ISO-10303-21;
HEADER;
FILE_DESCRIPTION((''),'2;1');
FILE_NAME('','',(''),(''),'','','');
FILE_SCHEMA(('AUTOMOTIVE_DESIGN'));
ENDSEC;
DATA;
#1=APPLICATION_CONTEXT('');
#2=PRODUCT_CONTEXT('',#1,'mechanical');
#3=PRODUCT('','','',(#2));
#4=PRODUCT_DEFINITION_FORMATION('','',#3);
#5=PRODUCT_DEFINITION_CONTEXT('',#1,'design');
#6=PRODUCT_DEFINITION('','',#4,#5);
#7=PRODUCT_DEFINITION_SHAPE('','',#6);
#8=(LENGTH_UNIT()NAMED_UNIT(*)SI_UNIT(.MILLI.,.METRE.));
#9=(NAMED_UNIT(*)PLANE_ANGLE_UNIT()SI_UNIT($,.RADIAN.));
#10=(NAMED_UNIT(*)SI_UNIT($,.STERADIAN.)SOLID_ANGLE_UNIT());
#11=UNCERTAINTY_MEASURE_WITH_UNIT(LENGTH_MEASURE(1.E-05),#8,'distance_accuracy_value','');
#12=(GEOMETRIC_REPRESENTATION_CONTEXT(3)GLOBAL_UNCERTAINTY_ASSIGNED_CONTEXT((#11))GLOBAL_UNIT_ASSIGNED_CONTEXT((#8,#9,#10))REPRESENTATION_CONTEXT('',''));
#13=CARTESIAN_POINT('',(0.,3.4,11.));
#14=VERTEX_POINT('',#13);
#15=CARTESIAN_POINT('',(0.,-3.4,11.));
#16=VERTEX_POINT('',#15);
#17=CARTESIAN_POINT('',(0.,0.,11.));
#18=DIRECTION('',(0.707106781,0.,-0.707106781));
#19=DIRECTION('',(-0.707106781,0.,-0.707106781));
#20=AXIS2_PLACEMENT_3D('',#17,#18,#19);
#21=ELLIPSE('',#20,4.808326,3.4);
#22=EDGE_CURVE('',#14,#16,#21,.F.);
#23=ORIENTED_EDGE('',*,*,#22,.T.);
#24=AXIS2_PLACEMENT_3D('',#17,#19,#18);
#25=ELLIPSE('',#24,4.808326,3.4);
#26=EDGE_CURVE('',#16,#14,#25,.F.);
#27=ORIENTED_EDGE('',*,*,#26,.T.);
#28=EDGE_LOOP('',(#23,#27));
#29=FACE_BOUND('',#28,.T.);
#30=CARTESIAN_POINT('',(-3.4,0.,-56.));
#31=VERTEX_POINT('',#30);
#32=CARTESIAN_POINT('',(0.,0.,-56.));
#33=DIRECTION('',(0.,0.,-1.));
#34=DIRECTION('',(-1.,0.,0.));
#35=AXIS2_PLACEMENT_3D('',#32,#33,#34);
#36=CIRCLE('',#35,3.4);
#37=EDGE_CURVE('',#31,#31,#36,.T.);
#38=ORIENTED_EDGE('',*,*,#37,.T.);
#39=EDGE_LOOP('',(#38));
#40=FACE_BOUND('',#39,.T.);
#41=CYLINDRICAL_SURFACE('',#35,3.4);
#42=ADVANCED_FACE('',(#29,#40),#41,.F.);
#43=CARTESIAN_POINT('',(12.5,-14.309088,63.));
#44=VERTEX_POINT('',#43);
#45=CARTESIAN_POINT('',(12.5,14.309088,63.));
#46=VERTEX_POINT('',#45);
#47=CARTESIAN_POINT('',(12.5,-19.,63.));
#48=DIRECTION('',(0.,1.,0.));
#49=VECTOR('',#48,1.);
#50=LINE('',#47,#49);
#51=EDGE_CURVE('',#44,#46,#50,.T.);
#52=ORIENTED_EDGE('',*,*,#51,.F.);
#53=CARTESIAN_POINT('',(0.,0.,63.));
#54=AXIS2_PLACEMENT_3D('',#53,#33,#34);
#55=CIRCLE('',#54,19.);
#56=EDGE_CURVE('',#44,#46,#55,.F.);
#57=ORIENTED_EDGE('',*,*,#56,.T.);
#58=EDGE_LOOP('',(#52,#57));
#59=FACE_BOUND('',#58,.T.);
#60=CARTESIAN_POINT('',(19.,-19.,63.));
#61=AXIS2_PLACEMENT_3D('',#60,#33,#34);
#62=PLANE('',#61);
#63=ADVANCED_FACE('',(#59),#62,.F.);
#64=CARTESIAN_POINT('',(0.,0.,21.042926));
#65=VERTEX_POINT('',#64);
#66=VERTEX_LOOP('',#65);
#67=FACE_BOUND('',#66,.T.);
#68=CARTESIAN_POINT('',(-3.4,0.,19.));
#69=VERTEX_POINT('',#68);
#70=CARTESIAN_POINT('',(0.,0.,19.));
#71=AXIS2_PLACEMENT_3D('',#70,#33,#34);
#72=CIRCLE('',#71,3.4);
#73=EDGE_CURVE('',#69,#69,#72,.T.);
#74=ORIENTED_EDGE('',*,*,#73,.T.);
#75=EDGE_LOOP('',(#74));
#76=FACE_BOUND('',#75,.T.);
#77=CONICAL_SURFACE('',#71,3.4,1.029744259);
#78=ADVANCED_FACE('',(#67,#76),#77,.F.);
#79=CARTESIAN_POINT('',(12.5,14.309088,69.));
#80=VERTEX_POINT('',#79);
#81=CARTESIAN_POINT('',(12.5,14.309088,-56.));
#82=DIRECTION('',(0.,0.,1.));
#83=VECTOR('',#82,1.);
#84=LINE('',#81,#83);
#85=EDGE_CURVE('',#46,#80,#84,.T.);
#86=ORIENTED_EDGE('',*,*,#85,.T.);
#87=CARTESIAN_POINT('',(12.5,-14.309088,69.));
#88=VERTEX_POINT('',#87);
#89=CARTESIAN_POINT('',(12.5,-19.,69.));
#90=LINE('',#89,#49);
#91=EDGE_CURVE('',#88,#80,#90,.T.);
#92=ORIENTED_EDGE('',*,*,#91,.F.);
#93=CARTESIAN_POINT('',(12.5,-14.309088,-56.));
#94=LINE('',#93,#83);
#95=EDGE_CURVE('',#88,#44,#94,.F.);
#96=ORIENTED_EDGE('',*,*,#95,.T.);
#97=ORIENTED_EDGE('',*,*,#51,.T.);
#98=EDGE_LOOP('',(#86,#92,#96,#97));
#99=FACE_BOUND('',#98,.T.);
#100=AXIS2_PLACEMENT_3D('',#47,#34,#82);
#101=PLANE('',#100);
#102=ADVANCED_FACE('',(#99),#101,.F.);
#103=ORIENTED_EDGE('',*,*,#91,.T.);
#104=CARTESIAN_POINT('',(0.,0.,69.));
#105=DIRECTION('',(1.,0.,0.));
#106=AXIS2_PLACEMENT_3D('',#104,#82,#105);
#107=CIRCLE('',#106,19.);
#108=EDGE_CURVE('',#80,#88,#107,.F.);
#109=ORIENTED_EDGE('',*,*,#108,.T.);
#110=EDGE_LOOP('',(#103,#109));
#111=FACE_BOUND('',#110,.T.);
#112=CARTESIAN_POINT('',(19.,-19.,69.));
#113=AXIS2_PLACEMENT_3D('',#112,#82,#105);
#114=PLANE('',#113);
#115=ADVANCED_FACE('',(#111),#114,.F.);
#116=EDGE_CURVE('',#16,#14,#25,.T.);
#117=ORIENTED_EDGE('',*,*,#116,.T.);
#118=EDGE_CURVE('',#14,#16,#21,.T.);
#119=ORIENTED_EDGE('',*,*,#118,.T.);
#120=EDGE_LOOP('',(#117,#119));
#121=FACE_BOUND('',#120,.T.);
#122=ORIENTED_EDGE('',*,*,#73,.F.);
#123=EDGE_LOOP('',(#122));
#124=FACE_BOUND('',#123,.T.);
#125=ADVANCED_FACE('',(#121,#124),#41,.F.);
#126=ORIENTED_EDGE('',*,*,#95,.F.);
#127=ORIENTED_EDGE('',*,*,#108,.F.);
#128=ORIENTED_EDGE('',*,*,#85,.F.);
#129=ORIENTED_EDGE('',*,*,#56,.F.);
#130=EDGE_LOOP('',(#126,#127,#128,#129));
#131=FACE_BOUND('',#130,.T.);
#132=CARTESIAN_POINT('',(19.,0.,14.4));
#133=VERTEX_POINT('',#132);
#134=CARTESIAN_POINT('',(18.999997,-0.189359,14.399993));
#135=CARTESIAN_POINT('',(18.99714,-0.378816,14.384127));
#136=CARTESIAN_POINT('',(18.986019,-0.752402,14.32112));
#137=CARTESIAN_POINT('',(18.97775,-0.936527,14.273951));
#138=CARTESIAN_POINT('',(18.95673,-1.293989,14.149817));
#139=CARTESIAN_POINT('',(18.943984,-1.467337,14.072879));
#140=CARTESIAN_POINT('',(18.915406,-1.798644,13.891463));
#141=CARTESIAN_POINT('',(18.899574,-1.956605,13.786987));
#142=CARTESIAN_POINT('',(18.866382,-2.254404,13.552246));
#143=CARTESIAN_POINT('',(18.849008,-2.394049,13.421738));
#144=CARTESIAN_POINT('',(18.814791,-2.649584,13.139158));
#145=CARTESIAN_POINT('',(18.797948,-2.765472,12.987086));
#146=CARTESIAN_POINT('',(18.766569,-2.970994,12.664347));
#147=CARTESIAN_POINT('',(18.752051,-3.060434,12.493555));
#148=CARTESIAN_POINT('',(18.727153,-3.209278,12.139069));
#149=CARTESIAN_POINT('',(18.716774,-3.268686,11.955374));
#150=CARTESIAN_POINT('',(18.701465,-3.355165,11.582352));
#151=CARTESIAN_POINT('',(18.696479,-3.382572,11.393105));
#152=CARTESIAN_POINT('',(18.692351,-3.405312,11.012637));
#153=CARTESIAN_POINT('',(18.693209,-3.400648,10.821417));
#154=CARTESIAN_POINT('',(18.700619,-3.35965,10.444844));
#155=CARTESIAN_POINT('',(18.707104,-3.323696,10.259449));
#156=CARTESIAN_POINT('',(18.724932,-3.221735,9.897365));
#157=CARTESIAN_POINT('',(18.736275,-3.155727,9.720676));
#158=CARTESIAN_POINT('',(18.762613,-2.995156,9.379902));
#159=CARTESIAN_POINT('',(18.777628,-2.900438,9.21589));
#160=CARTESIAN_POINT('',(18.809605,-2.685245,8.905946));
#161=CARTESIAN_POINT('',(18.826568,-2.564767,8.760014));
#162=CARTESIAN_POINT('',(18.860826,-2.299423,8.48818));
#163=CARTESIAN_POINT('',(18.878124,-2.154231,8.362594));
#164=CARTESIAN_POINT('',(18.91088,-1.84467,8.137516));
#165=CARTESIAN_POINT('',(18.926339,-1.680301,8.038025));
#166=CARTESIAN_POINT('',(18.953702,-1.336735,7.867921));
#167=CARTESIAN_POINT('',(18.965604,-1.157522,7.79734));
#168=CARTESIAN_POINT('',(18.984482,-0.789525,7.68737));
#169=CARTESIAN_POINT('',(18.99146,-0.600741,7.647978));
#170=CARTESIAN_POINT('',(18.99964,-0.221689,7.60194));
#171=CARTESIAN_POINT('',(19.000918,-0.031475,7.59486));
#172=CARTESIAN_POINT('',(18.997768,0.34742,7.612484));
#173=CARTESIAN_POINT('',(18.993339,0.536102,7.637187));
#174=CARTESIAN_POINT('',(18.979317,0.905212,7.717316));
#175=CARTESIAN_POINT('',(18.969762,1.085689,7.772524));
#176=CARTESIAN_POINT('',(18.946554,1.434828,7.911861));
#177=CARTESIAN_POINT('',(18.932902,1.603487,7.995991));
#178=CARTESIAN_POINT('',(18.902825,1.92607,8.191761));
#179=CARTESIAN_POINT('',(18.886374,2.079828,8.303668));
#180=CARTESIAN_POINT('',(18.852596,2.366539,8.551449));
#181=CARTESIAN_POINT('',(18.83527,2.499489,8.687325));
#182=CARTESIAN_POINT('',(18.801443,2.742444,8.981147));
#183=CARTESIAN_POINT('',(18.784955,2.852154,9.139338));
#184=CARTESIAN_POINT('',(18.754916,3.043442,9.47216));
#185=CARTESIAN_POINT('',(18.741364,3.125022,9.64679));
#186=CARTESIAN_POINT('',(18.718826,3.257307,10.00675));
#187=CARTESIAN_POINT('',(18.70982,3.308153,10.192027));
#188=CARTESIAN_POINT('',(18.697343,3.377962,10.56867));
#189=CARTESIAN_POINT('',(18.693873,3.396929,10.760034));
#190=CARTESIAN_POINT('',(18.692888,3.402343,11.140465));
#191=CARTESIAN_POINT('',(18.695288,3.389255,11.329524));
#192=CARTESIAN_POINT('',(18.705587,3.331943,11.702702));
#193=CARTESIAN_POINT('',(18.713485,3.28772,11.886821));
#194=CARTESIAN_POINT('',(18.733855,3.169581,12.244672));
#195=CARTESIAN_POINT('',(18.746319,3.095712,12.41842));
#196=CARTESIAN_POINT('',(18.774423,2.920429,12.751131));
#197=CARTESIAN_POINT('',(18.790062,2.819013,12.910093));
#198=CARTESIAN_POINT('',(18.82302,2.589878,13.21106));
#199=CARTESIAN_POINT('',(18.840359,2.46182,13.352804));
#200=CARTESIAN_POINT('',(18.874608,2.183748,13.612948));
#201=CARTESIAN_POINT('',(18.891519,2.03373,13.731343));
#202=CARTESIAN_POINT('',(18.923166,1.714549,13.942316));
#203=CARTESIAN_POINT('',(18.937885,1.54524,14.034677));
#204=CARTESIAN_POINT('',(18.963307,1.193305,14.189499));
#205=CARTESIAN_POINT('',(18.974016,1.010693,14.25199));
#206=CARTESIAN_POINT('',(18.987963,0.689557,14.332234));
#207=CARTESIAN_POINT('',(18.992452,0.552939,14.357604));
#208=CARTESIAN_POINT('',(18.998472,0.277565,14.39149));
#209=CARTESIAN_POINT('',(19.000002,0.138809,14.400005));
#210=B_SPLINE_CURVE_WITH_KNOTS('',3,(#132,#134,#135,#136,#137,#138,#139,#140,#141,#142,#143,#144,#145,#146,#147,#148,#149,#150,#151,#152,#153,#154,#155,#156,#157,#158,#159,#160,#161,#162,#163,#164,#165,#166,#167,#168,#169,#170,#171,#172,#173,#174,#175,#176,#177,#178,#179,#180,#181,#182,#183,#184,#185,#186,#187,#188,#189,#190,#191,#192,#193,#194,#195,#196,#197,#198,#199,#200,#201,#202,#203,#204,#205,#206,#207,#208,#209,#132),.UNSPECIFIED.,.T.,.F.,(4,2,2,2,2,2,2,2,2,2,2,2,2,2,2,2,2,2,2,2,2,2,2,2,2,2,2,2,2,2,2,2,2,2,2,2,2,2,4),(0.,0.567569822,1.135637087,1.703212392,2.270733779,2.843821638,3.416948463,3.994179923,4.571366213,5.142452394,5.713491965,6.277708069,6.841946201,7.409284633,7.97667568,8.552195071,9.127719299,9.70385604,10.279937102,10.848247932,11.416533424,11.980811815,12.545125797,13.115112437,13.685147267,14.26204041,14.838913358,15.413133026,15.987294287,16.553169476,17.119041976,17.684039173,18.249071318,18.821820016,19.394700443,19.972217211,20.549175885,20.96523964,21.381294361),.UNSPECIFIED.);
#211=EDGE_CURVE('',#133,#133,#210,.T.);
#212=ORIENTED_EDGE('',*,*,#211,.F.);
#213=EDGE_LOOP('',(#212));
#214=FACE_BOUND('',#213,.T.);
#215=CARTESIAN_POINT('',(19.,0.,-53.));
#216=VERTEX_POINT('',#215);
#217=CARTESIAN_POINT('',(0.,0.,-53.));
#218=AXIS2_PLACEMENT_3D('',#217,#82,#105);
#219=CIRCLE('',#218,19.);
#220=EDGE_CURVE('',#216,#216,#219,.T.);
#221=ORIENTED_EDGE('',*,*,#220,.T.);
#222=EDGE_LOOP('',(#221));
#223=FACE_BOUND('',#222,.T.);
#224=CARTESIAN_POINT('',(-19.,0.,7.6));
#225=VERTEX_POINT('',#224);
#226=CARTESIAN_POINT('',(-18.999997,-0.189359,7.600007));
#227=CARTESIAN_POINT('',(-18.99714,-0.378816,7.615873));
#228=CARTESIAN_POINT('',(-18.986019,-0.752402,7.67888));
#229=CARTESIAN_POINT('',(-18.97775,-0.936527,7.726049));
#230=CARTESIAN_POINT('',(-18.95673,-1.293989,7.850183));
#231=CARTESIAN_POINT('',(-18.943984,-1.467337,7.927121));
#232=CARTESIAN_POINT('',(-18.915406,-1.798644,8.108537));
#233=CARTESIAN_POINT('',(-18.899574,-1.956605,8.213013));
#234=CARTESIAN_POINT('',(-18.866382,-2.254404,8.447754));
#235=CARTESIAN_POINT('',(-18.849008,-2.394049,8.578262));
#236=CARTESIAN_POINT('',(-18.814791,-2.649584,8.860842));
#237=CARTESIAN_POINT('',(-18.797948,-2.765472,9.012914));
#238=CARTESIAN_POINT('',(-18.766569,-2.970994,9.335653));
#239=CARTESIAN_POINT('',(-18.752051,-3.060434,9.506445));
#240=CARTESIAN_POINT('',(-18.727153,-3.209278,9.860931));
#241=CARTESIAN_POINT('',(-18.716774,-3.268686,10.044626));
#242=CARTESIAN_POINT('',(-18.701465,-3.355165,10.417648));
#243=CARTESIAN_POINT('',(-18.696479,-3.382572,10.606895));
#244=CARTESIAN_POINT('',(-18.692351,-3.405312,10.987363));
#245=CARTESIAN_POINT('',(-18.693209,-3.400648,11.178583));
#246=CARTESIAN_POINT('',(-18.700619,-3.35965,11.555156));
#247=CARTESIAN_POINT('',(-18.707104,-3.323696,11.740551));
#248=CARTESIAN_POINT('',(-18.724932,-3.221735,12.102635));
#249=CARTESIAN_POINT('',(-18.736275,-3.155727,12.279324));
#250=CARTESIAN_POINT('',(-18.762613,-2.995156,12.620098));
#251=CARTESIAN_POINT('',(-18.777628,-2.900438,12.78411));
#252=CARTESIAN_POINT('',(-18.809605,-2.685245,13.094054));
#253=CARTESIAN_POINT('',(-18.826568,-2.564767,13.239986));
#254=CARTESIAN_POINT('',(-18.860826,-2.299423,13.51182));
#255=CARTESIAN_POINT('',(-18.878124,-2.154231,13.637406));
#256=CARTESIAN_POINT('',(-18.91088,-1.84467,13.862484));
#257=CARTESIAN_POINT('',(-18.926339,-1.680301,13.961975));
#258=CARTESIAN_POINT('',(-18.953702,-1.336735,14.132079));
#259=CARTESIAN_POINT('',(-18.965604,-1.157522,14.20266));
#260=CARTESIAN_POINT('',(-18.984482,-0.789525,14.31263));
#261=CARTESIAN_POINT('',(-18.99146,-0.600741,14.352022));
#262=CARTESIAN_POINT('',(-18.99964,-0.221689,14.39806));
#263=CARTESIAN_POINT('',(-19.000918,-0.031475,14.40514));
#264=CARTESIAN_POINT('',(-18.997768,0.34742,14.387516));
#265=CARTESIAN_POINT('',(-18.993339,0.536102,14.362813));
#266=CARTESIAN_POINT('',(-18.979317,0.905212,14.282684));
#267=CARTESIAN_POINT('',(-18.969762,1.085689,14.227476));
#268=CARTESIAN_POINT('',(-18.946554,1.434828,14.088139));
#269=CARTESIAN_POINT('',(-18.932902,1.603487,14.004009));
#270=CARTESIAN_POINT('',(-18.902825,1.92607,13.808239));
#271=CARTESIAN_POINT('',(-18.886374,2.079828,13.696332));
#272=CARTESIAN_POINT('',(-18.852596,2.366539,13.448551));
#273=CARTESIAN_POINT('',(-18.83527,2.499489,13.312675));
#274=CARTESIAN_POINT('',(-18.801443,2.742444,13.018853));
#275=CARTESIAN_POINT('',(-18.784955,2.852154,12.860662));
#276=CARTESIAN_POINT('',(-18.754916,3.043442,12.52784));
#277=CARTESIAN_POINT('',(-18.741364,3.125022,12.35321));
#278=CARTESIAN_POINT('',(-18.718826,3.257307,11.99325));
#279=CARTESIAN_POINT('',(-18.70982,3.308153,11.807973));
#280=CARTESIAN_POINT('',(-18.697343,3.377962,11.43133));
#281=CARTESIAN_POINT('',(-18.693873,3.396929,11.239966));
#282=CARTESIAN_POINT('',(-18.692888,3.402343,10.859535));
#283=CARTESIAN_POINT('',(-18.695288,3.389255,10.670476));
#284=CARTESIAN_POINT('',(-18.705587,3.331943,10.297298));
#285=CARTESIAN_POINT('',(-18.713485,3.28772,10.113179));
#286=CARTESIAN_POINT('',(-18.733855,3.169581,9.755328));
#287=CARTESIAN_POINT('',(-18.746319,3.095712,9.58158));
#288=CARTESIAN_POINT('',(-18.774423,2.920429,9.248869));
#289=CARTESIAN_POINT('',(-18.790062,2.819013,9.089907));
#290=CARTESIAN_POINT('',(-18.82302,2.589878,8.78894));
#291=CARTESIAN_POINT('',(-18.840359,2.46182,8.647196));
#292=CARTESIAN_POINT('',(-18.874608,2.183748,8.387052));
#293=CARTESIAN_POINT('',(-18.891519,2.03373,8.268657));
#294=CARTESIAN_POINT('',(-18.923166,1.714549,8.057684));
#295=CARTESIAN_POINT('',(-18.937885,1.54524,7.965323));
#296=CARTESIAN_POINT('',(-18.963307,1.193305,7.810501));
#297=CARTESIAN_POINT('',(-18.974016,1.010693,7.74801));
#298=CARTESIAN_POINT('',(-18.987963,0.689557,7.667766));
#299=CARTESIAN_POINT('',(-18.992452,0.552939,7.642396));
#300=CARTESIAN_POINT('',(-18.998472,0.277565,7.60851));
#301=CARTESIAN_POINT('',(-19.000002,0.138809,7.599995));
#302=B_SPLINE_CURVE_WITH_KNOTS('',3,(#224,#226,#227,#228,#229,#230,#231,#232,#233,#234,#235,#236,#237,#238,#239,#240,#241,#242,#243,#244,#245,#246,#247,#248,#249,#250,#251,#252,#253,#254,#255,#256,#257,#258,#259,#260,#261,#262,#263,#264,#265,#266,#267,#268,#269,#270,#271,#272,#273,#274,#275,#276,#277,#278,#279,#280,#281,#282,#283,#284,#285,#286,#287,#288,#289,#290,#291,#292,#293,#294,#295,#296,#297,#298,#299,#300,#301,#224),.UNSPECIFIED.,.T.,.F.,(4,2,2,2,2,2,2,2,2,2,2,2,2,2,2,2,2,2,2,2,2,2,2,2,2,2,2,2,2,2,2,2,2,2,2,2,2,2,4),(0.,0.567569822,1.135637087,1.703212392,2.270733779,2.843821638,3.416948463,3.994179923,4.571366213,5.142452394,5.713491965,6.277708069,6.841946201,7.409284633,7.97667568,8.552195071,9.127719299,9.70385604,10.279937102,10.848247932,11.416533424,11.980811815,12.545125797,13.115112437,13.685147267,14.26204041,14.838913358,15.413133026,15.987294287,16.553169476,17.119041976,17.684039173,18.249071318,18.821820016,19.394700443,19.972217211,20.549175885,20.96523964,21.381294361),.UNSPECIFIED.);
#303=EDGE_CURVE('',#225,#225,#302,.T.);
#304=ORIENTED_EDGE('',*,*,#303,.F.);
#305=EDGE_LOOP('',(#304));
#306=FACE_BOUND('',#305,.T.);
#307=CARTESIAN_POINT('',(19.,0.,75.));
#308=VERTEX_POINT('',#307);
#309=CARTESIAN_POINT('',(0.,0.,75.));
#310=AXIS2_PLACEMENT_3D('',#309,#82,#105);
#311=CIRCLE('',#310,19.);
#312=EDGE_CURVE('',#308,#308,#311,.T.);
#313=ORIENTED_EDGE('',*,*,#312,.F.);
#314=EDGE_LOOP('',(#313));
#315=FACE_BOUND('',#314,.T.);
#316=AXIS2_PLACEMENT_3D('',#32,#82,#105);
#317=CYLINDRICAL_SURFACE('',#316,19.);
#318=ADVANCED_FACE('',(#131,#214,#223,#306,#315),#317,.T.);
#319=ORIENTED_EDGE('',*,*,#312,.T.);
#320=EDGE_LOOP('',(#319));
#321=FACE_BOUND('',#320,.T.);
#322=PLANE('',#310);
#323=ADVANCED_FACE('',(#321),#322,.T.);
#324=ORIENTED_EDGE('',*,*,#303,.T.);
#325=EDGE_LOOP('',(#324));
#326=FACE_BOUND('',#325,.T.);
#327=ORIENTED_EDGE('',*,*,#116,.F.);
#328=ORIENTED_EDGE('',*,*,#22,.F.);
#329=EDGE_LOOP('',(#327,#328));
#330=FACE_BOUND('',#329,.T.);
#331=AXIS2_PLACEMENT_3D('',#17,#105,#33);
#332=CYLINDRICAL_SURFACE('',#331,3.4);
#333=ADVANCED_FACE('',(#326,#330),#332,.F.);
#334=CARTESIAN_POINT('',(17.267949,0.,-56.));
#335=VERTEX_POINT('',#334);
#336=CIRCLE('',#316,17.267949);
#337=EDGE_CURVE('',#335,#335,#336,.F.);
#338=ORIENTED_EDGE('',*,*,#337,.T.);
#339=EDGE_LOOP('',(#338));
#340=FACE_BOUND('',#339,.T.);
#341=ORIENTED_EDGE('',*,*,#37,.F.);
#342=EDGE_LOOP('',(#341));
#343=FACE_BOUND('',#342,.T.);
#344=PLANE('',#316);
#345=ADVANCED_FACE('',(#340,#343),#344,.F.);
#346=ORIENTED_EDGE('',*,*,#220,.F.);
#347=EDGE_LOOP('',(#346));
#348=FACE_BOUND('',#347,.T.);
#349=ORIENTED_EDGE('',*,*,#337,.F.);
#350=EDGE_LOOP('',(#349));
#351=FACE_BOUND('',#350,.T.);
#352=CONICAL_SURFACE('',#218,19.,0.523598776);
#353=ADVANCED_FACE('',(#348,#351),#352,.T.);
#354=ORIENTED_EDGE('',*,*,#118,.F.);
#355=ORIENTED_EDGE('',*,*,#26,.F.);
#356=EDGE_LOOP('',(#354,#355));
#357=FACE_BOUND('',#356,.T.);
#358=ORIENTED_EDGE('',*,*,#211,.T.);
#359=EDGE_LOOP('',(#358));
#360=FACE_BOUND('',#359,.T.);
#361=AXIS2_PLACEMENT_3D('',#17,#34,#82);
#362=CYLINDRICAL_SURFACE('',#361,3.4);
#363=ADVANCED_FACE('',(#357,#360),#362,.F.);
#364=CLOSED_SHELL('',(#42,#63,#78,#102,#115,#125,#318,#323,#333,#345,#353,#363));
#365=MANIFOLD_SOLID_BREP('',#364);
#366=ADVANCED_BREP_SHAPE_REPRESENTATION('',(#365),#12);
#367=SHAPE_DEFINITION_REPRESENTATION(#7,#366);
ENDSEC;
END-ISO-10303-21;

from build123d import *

# Parameters (mm, degrees)
AUFSATZ_LINEAR_AUSTRAGEN1_DEPTH      = 75
AUFSATZ_LINEAR_AUSTRAGEN1_DEPTH_BACK = 56
SKIZZE1_R                            = 19
M8_TAPPED_HOLE1_D                    = 6.8
M8_TAPPED_HOLE1_DEPTH                = 75
M8_TAPPED_HOLE1_TIP                  = 2.042926105
SKIZZE7_W                            = 3.4
SKIZZE7_H                            = 19
CHAMFER1_SIZE                        = 3
CHAMFER1_SIZE2                       = 1.732050808
CUT_EXTRUDE2_DEPTH                   = 80.668061496
CUT_EXTRUDE2_DEPTH_BACK              = 80.668061496
SKETCH2_W                            = 6.5
SKETCH2_H                            = 6


with BuildPart() as part:
    # Skizze1 → Aufsatz-Linear austragen1 (new, two sides: drawn at the far end of the back side and taken through both)
    with BuildSketch(Plane.XY.offset(-AUFSATZ_LINEAR_AUSTRAGEN1_DEPTH_BACK)):
        Circle(SKIZZE1_R)
    extrude(amount=AUFSATZ_LINEAR_AUSTRAGEN1_DEPTH + AUFSATZ_LINEAR_AUSTRAGEN1_DEPTH_BACK)

    # M8 Tapped Hole1
    with Locations(Plane(origin=(0, 0, -56), x_dir=(-1, 0, 0), z_dir=(0, 0, -1))):
        with Locations((0, 0)):
            Hole(M8_TAPPED_HOLE1_D / 2, depth=M8_TAPPED_HOLE1_DEPTH)
            with Locations((0, 0, -(M8_TAPPED_HOLE1_DEPTH + M8_TAPPED_HOLE1_TIP / 2))):  # 118° drill point
                Cone(0, M8_TAPPED_HOLE1_D / 2, M8_TAPPED_HOLE1_TIP, mode=Mode.SUBTRACT)

    # Skizze7 → Tap Drill for M8 Tap1 (revolve, cut)
    with BuildSketch(Plane(origin=(0, 0, 11), x_dir=(0, 0, 1), z_dir=(0, 1, 0))):
        with Locations((1.7, 9.5)):
            Rectangle(SKIZZE7_W, SKIZZE7_H)
    tap_drill_for_m8_tap1 = revolve(axis=Axis((-6.35, 0, 11), (1, 0, 0)), mode=Mode.SUBTRACT)

    # Spiegeln1: Tap Drill for M8 Tap1 across plane
    add(tap_drill_for_m8_tap1.mirror(Plane(origin=(0, 0, 0), x_dir=(0, 0, 1), z_dir=(1, 0, 0))), mode=Mode.SUBTRACT)

    # Chamfer1
    chamfer1_edges = [part.edges().sort_by_distance(p)[0] for p in [
        (-19, 0, -56),
    ]]
    chamfer1_side = [part.faces().sort_by_distance(p)[0] for p in [
        (-19, 0, -28),
    ]]
    chamfer(chamfer1_edges, length=CHAMFER1_SIZE, length2=CHAMFER1_SIZE2, reference=chamfer1_side[0])

    # Sketch2 → Cut-Extrude2 (cut, two sides: drawn at the far end of the back side and taken through both)
    with BuildSketch(Plane(origin=(0, 0, 0), x_dir=(1, 0, 0), z_dir=(0, 1, 0)).offset(-CUT_EXTRUDE2_DEPTH_BACK)):
        with Locations((15.75, -66)):
            Rectangle(SKETCH2_W, SKETCH2_H)
    extrude(amount=CUT_EXTRUDE2_DEPTH + CUT_EXTRUDE2_DEPTH_BACK, mode=Mode.SUBTRACT)


solid = part.part
